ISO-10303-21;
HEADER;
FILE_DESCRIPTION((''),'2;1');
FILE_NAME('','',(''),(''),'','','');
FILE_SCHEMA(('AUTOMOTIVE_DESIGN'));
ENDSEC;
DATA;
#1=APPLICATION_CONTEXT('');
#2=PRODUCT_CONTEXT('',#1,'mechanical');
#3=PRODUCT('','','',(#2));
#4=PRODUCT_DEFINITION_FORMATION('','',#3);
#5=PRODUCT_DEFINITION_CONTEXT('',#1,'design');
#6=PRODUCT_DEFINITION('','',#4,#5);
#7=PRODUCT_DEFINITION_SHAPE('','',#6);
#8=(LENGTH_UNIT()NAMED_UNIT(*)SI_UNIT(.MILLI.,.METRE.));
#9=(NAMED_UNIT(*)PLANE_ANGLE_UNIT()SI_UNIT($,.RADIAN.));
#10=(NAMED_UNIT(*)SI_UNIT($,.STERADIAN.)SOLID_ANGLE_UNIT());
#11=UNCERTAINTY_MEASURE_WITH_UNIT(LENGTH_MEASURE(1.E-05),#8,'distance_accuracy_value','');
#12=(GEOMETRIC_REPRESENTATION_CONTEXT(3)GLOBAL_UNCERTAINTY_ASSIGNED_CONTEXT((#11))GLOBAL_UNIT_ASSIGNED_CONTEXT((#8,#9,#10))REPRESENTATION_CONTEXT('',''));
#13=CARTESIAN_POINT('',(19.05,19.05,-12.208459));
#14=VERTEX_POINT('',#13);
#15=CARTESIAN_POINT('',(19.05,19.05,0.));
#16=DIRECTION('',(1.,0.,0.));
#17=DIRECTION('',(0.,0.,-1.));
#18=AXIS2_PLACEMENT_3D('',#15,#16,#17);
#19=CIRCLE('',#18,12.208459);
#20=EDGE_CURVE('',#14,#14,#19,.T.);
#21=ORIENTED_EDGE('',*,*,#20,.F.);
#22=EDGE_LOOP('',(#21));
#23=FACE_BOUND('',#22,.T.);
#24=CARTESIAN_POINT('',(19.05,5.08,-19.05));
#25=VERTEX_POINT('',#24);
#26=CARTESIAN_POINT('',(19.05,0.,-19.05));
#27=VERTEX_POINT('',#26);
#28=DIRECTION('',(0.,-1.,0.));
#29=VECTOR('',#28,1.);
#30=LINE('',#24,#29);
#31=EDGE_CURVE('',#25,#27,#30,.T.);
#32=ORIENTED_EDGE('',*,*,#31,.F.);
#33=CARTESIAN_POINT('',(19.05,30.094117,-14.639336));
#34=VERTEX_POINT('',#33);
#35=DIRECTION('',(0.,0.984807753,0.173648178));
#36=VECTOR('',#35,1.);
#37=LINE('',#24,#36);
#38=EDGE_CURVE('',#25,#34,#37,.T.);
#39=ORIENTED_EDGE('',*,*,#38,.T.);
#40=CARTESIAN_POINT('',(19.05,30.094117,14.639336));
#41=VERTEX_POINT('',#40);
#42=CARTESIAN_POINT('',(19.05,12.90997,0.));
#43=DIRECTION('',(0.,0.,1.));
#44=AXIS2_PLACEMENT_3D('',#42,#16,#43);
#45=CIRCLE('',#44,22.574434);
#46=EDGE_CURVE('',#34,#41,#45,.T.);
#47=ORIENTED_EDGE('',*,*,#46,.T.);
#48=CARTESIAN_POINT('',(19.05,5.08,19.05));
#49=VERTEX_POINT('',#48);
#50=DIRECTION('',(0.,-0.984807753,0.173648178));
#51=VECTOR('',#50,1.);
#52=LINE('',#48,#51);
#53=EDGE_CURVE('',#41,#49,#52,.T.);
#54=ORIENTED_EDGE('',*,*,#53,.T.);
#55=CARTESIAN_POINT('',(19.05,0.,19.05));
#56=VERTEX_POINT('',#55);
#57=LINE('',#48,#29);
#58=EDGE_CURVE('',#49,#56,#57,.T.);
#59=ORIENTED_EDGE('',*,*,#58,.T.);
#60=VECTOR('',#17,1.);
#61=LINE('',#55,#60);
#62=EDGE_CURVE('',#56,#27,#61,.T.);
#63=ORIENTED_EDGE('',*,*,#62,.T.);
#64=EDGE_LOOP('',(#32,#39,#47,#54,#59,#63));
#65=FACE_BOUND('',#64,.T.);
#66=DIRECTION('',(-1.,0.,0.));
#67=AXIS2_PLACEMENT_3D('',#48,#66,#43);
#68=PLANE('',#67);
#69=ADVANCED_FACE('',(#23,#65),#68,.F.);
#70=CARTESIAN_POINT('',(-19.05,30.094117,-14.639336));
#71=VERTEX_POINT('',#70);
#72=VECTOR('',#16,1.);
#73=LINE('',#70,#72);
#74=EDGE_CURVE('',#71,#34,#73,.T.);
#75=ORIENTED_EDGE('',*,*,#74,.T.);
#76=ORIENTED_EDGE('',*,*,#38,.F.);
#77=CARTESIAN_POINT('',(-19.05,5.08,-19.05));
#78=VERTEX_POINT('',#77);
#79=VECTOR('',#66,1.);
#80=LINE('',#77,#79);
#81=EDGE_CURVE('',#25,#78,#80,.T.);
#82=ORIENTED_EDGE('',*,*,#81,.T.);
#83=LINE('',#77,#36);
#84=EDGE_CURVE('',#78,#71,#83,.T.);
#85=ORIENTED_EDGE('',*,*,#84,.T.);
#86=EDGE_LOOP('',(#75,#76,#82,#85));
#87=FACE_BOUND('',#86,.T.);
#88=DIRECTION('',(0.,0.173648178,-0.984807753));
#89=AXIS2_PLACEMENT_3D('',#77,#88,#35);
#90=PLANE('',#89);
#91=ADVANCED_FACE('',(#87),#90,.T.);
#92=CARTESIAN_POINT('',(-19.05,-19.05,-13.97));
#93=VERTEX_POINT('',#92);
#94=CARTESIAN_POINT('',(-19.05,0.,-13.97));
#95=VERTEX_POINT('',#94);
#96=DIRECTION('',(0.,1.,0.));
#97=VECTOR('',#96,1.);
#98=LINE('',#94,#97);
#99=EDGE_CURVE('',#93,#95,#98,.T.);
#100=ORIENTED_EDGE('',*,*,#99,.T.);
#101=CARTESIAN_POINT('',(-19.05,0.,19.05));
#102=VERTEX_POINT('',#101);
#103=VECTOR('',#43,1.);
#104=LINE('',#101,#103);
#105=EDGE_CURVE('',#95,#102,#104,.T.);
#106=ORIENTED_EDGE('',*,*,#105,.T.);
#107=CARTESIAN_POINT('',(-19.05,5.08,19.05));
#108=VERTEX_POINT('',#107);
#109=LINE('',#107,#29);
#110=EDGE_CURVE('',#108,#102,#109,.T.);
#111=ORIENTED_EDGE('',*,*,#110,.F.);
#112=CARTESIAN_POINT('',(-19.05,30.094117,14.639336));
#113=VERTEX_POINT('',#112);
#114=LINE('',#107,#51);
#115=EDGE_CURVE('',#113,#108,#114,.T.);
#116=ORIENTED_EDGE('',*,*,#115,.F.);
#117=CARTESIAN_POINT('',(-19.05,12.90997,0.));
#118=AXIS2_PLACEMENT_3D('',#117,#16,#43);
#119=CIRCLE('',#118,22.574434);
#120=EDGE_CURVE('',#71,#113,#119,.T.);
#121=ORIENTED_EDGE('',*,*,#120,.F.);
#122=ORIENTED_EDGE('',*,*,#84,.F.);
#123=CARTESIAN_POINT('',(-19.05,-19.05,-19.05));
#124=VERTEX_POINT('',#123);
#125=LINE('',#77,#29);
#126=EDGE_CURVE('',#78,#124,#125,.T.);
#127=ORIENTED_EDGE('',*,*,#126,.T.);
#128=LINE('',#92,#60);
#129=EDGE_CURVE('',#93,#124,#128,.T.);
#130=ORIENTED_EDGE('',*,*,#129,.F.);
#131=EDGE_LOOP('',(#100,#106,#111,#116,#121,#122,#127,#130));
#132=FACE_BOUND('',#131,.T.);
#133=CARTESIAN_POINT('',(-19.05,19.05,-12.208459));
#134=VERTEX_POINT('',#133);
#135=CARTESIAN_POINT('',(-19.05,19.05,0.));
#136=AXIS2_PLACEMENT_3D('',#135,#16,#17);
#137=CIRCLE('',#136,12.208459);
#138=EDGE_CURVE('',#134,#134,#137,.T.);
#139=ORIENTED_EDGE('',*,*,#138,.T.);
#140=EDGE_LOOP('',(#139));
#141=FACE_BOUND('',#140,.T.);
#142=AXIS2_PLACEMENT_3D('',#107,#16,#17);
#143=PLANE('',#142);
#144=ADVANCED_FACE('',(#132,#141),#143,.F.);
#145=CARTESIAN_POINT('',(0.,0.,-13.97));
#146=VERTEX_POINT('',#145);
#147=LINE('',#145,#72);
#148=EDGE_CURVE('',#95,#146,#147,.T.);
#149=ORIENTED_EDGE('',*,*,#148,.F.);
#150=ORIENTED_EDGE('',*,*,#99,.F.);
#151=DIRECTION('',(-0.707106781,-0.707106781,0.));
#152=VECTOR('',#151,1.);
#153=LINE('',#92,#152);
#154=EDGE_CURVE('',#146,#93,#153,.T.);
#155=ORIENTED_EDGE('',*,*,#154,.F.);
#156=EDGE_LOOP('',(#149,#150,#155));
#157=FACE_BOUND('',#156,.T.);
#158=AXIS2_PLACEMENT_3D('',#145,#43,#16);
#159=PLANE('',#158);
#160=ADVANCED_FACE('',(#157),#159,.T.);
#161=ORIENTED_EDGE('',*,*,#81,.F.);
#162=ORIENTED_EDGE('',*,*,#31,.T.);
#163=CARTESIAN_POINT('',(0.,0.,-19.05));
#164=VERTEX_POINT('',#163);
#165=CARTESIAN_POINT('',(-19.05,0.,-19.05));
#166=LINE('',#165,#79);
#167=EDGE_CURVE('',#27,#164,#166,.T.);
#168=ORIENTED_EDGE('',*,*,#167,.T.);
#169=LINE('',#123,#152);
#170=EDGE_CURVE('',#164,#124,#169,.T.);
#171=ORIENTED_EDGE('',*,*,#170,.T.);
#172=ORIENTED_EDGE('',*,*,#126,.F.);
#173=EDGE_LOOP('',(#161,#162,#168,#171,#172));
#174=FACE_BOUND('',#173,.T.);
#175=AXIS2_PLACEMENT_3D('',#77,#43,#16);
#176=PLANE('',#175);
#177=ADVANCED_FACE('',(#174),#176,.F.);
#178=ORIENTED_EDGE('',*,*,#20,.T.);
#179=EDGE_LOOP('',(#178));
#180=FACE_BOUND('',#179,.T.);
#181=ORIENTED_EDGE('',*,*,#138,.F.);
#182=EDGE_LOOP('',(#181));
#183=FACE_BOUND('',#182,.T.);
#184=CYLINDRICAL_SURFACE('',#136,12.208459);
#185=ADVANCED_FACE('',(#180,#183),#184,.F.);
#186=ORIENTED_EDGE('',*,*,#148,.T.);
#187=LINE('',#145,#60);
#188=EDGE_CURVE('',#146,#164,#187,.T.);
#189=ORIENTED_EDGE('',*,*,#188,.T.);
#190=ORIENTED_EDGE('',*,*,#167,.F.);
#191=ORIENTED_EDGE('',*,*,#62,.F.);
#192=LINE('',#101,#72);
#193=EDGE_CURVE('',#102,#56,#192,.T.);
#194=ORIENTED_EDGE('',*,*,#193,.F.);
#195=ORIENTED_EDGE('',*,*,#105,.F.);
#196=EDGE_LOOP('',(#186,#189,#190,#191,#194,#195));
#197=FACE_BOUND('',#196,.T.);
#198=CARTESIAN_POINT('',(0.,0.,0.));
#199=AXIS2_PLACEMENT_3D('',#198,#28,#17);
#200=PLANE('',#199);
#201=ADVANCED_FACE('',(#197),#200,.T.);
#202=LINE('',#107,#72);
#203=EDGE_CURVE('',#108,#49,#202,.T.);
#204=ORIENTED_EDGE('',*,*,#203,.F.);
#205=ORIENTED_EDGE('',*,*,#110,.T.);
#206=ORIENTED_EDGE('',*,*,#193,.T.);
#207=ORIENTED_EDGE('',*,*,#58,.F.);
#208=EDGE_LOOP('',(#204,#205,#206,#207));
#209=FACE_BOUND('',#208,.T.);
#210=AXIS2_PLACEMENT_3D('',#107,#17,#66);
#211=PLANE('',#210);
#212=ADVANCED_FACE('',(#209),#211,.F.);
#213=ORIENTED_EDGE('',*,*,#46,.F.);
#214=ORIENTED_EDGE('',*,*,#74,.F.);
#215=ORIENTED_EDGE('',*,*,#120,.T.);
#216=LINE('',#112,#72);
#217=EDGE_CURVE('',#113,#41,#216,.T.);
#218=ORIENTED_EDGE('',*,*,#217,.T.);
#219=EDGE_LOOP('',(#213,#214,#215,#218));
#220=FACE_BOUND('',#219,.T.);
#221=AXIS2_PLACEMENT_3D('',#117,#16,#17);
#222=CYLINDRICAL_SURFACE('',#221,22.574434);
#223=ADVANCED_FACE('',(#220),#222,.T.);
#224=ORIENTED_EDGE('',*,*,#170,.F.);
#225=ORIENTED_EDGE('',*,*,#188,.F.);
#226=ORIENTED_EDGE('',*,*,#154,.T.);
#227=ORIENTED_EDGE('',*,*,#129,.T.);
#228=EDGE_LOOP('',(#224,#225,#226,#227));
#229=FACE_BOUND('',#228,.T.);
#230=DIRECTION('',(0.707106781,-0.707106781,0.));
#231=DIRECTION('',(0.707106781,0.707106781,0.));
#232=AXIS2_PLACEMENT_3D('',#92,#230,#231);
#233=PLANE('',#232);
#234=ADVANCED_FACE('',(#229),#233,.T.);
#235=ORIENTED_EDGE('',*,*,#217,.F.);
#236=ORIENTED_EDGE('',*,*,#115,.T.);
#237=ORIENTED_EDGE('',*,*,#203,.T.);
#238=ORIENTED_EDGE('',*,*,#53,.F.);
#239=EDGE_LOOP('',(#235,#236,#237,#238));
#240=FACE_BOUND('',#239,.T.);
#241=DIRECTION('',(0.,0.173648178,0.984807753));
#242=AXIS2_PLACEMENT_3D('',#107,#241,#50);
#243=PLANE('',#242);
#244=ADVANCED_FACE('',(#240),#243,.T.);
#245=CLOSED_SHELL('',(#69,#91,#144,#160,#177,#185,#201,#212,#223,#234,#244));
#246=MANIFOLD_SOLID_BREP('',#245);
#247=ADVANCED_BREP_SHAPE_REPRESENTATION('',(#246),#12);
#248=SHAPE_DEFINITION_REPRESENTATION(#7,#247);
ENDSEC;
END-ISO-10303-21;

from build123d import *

# Parameters (mm, degrees)
SKETCH2_W           = 38.1
SKETCH2_H           = 38.1
BOSS_EXTRUDE1_DEPTH = 5.08
BOSS_EXTRUDE3_DEPTH = 38.1
SKETCH5_R           = 12.2084592
CUT_EXTRUDE1_DEPTH  = 39.1
BOSS_EXTRUDE4_DEPTH = 5.08


with BuildPart() as part:
    # Sketch2 → Boss-Extrude1 (new body)
    with BuildSketch(Plane(origin=(0, 0, 0), x_dir=(1, 0, 0), z_dir=(0, 1, 0))):
        Rectangle(SKETCH2_W, SKETCH2_H)
    extrude(amount=BOSS_EXTRUDE1_DEPTH)

    # Sketch3 → Boss-Extrude3 (add, through all)
    with BuildSketch(Plane(origin=(19.05, 0, 0), x_dir=(0, 0, -1), z_dir=(1, 0, 0))):
        with BuildLine():
            Line((-19.05, 5.08), (-14.639336287, 30.094116927))
            ThreePointArc((-14.639336287, 30.094116927), (0, 35.484404044), (14.639336287, 30.094116927))
            Line((14.639336287, 30.094116927), (19.05, 5.08))
            Line((19.05, 5.08), (-19.05, 5.08))
        make_face()
    extrude(amount=-BOSS_EXTRUDE3_DEPTH)

    # Sketch5 → Cut-Extrude1 (cut, through all)
    with BuildSketch(Plane(origin=(19.05, 0, 0), x_dir=(0, 0, -1), z_dir=(1, 0, 0))):
        with Locations((0, 19.05)):
            Circle(SKETCH5_R)
    extrude(amount=-CUT_EXTRUDE1_DEPTH, mode=Mode.SUBTRACT)

    # Sketch6 → Boss-Extrude4 (add)
    with BuildSketch(Plane(origin=(0, 0, -19.05), x_dir=(-1, 0, 0), z_dir=(0, 0, -1))):
        Polygon((19.05, 0), (19.05, -19.05), (0, 0), align=None)
    extrude(amount=-BOSS_EXTRUDE4_DEPTH)


solid = part.part
